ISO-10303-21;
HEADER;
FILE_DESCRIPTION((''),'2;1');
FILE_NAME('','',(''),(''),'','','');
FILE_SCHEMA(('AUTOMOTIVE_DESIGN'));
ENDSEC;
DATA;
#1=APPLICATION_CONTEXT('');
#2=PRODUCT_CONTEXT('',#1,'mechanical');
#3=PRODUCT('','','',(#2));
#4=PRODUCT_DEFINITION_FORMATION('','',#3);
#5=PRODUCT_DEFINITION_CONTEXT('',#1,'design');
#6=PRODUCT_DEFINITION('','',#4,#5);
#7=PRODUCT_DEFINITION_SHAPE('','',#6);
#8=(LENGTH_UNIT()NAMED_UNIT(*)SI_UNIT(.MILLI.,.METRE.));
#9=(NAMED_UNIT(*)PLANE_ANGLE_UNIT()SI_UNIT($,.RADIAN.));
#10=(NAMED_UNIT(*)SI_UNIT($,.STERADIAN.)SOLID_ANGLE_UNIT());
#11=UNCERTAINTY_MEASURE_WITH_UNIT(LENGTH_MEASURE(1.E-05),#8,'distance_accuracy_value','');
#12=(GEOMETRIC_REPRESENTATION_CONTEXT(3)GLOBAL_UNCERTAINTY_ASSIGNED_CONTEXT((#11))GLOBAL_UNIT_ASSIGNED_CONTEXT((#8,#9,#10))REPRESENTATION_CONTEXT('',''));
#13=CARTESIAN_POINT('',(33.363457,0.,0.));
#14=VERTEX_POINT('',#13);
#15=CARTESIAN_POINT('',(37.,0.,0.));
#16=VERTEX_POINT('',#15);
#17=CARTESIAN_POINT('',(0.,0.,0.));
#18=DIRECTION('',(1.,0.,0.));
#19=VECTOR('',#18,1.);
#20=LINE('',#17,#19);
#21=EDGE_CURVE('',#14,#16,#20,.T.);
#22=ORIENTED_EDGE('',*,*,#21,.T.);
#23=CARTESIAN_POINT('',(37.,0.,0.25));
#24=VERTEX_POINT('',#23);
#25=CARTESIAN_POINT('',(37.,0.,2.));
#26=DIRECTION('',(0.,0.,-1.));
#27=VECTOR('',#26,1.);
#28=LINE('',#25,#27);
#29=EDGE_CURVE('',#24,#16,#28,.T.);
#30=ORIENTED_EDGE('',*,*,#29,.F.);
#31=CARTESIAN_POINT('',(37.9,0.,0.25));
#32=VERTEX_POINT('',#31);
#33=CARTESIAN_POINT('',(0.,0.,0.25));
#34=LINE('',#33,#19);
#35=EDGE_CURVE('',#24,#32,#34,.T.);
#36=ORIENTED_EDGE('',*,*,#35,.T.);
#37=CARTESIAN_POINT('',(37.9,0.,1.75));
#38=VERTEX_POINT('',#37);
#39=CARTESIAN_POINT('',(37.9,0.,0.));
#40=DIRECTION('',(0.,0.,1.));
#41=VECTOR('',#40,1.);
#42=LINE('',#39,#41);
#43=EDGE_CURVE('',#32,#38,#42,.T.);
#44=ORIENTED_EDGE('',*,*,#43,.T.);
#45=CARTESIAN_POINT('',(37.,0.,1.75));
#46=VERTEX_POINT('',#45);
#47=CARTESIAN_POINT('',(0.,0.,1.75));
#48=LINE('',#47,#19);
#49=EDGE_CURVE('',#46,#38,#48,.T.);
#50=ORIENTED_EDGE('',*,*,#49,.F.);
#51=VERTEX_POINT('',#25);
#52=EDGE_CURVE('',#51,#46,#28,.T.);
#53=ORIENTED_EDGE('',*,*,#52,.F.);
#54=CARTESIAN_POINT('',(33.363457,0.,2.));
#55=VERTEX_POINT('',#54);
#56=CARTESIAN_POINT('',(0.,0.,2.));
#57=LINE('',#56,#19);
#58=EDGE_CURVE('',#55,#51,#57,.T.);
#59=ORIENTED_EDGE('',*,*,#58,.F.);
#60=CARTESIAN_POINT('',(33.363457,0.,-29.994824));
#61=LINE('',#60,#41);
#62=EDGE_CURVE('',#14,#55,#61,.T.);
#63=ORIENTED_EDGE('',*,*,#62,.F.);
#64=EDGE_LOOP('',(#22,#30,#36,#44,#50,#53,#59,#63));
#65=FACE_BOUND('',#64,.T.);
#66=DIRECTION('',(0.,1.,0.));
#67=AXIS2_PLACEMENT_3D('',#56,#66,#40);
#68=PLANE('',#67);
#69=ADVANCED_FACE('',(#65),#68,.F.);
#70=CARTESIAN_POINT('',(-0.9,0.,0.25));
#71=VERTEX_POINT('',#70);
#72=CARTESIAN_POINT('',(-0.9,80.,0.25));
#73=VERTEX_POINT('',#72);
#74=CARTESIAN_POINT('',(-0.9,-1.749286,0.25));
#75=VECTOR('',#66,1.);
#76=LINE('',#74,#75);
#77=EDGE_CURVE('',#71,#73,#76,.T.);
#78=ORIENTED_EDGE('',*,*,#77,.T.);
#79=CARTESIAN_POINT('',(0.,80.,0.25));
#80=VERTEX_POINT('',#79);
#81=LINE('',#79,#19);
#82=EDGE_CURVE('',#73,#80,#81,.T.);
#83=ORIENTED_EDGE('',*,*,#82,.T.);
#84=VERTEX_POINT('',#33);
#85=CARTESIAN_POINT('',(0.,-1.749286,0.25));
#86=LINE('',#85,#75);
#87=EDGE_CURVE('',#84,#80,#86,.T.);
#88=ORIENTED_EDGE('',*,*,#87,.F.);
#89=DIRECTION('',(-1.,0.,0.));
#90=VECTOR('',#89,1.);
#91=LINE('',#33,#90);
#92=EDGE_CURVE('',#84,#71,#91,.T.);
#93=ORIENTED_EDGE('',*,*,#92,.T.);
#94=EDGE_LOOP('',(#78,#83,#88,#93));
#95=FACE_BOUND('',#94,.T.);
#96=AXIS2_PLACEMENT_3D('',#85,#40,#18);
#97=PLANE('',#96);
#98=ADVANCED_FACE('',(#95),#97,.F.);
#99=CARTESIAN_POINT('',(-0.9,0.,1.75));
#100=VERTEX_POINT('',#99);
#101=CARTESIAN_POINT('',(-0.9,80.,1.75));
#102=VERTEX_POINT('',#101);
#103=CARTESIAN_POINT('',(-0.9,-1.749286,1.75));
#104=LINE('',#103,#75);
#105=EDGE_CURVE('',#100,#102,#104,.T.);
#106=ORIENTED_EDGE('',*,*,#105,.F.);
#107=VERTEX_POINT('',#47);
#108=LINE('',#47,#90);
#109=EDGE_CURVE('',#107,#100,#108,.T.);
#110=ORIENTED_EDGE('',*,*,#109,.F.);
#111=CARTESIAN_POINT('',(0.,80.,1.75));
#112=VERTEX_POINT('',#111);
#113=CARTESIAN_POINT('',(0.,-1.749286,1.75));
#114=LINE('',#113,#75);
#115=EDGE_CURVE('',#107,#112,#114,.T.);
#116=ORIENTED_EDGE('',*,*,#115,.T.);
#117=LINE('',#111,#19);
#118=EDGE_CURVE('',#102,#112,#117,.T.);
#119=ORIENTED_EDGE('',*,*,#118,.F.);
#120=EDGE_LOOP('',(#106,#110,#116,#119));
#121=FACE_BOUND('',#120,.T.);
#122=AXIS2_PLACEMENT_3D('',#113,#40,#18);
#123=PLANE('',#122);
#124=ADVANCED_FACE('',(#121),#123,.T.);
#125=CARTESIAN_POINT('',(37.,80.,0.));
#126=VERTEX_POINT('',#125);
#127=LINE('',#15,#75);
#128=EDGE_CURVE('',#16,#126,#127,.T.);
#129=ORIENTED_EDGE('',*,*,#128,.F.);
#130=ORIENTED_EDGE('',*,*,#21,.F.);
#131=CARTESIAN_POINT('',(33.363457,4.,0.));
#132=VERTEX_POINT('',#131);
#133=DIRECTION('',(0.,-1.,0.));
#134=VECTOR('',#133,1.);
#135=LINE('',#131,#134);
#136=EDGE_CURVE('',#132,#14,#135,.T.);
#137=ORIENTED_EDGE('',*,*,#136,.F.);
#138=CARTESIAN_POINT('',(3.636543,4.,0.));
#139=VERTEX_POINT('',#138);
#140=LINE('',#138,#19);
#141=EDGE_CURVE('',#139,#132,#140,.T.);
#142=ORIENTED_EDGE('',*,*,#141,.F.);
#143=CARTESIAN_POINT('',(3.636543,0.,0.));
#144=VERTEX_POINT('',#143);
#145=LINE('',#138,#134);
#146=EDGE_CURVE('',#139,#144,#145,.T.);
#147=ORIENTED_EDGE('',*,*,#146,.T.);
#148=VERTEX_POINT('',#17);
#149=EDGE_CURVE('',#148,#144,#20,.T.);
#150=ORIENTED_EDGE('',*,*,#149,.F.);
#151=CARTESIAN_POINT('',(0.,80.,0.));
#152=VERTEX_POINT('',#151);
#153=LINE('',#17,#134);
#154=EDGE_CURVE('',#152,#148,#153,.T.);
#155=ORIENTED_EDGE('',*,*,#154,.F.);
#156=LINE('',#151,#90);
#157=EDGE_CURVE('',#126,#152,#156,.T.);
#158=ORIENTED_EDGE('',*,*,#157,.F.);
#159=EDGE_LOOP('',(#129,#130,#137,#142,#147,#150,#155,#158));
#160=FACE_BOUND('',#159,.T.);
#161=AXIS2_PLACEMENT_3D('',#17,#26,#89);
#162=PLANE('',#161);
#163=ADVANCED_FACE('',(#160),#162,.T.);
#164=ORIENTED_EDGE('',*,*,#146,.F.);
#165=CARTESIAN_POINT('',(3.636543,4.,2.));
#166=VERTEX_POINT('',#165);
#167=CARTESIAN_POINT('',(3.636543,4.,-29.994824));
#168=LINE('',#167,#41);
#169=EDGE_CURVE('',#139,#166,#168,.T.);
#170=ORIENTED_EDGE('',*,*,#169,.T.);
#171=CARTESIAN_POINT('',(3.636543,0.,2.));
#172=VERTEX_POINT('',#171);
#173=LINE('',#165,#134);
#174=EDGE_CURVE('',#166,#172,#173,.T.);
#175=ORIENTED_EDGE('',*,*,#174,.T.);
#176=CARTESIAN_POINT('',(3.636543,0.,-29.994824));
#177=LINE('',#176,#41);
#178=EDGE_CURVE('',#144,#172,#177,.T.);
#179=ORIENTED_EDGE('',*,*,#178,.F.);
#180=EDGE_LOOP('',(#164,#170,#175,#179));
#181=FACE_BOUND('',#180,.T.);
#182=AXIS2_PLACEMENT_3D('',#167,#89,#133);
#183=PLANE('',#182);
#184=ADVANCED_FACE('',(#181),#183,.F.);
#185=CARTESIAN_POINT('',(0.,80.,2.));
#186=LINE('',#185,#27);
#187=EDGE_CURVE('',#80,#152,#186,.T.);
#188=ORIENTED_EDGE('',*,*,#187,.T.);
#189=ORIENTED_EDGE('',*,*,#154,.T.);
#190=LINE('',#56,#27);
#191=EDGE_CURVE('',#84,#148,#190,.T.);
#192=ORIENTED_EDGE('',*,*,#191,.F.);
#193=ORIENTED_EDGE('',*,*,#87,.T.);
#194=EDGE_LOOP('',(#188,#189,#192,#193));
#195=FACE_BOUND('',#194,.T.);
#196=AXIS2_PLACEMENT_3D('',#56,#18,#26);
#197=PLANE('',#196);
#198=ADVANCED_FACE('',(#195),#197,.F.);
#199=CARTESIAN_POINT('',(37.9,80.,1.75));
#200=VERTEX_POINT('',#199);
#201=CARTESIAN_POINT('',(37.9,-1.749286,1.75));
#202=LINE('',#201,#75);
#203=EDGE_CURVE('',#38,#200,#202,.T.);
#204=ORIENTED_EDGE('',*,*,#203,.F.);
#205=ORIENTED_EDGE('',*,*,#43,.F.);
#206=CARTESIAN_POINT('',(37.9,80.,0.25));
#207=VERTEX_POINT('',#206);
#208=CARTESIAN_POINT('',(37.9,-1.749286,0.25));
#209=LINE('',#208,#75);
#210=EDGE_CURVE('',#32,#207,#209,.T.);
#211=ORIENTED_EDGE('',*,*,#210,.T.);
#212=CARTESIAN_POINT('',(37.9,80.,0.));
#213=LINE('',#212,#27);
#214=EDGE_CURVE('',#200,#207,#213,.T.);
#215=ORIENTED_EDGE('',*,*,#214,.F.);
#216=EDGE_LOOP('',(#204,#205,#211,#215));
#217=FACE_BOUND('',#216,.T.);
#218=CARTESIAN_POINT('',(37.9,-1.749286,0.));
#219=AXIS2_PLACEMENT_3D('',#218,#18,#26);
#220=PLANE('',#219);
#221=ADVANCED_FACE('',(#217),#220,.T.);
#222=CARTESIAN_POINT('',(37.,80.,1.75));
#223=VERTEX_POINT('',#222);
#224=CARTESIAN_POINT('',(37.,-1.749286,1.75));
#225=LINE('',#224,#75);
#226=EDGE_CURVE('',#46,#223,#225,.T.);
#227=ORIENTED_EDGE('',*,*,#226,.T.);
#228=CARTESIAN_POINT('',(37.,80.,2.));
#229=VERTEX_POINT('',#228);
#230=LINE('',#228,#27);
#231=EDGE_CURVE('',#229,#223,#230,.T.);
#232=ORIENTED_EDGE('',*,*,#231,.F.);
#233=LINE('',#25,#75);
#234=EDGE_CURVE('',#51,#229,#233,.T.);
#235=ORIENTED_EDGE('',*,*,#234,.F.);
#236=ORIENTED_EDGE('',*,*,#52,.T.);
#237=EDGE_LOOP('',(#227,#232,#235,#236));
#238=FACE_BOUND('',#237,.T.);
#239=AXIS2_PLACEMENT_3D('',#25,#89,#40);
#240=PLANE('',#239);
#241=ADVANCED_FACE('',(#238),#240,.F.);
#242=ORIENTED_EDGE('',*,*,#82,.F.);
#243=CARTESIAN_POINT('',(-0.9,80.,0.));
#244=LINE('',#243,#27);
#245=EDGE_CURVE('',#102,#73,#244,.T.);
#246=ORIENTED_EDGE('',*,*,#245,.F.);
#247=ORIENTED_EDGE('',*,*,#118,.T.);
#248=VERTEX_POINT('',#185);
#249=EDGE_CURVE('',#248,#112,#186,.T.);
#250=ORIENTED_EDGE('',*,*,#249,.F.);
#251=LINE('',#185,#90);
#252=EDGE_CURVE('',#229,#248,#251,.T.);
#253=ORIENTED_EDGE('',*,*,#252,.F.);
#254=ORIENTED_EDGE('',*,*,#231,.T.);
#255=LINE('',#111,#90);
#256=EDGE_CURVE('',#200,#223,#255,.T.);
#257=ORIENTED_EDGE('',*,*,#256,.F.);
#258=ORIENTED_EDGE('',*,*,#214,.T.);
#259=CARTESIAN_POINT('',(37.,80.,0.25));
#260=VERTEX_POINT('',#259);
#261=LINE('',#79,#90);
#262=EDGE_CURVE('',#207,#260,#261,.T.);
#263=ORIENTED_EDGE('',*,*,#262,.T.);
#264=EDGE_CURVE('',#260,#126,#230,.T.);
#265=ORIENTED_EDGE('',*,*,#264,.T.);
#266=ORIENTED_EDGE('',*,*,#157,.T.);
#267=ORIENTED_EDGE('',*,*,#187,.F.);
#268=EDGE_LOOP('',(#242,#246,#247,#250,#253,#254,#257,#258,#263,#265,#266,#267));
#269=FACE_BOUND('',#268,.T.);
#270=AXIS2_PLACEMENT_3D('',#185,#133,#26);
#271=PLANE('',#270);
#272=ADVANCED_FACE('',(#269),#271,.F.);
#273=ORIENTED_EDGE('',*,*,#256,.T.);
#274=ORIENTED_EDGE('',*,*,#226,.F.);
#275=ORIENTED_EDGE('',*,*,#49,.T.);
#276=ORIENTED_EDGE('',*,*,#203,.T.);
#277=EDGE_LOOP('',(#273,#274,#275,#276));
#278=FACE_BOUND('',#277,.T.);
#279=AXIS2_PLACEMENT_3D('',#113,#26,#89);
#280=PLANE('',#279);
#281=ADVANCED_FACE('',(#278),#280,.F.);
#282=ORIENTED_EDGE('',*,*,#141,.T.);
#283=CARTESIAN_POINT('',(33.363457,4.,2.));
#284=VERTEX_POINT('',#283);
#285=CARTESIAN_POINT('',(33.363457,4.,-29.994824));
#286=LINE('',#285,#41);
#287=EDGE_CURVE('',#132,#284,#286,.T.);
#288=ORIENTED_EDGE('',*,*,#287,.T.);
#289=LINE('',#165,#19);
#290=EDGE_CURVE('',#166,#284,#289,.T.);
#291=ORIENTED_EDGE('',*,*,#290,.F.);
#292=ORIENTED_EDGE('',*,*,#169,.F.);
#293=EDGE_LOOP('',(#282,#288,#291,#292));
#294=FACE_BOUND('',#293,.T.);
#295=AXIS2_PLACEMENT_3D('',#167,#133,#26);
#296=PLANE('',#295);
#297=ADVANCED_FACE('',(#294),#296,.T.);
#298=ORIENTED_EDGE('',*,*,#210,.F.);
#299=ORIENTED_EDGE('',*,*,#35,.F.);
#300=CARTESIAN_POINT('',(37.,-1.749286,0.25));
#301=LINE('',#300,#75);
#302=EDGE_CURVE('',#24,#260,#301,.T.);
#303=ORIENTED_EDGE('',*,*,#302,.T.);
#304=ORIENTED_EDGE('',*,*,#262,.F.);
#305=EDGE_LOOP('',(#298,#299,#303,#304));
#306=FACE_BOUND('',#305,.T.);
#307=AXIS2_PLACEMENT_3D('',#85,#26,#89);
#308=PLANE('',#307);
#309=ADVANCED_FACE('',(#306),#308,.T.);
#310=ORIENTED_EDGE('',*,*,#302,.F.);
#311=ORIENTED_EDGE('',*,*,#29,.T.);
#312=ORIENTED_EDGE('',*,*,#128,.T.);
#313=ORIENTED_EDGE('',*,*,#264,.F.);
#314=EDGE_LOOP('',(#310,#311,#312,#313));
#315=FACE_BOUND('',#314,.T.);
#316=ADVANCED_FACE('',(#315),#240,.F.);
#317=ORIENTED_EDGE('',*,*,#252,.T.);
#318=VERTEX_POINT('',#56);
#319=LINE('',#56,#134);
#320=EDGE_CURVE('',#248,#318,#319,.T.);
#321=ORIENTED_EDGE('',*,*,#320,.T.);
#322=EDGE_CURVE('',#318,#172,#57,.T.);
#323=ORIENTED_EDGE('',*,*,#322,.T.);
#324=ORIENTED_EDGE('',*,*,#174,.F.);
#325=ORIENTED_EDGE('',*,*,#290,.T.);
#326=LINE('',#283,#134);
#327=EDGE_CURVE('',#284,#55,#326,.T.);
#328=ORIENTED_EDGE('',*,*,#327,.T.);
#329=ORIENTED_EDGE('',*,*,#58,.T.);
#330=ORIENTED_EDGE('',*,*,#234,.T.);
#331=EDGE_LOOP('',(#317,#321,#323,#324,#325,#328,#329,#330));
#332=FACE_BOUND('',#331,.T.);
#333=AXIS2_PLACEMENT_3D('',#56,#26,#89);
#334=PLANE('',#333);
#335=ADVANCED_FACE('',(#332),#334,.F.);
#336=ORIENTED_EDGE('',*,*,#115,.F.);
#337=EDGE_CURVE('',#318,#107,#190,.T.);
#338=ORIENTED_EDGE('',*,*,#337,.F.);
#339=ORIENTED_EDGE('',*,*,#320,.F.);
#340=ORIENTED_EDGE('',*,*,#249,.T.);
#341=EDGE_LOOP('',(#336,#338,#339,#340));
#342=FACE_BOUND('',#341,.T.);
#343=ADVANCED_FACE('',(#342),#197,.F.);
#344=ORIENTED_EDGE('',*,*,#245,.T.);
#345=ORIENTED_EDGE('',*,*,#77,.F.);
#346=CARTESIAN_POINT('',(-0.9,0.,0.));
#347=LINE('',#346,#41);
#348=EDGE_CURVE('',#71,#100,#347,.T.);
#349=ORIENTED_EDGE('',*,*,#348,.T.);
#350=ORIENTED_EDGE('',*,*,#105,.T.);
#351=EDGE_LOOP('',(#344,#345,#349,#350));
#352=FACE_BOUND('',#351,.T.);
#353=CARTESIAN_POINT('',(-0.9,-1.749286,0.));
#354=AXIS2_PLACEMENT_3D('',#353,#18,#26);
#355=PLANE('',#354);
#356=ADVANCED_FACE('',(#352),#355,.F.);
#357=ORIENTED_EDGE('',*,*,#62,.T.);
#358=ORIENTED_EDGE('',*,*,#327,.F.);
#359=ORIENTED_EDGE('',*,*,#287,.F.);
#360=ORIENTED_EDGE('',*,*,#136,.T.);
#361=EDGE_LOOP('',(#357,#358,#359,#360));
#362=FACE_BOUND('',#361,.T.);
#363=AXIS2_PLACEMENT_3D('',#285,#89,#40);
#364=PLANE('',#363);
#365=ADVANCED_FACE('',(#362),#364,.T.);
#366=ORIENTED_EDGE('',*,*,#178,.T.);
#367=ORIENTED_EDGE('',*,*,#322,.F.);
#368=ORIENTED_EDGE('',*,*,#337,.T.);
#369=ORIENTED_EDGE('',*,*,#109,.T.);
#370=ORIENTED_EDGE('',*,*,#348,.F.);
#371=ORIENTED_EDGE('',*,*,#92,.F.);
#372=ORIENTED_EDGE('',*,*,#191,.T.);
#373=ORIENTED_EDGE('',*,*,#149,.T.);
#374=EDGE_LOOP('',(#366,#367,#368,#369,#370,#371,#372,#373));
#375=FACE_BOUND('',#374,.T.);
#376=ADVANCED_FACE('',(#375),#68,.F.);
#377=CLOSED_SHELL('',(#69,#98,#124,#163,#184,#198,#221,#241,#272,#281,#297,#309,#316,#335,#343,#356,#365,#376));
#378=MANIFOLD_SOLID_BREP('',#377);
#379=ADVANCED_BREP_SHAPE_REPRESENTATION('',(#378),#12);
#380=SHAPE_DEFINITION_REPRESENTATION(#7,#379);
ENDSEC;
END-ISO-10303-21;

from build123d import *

# Parameters (mm, degrees)
SKETCH1_W           = 37
SKETCH1_H           = 80
BOSS_EXTRUDE1_DEPTH = 2
SKETCH2_W           = 0.9
SKETCH2_H           = 1.5
BOSS_EXTRUDE2_DEPTH = 80
SKETCH3_W           = 29.726914408
SKETCH3_H           = 4
CUT_EXTRUDE1_DEPTH  = 2


with BuildPart() as part:
    # Sketch1 → Boss-Extrude1 (new body)
    with BuildSketch(Plane.XY):
        with Locations((18.5, 40)):
            Rectangle(SKETCH1_W, SKETCH1_H)
    extrude(amount=BOSS_EXTRUDE1_DEPTH)

    # Sketch2 → Boss-Extrude2 (add)
    with BuildSketch(Plane(origin=(0, 80, 0), x_dir=(1, 0, 0), z_dir=(0, 1, 0))):
        with Locations((37.45, -1)):
            Rectangle(SKETCH2_W, SKETCH2_H)
        with Locations((-0.45, -1)):
            Rectangle(SKETCH2_W, SKETCH2_H)
    extrude(amount=-BOSS_EXTRUDE2_DEPTH)

    # Sketch3 → Cut-Extrude1 (cut)
    with BuildSketch(Plane.XY.offset(2)):
        with Locations((18.5, 2)):
            Rectangle(SKETCH3_W, SKETCH3_H)
    extrude(amount=-CUT_EXTRUDE1_DEPTH, mode=Mode.SUBTRACT)


solid = part.part
